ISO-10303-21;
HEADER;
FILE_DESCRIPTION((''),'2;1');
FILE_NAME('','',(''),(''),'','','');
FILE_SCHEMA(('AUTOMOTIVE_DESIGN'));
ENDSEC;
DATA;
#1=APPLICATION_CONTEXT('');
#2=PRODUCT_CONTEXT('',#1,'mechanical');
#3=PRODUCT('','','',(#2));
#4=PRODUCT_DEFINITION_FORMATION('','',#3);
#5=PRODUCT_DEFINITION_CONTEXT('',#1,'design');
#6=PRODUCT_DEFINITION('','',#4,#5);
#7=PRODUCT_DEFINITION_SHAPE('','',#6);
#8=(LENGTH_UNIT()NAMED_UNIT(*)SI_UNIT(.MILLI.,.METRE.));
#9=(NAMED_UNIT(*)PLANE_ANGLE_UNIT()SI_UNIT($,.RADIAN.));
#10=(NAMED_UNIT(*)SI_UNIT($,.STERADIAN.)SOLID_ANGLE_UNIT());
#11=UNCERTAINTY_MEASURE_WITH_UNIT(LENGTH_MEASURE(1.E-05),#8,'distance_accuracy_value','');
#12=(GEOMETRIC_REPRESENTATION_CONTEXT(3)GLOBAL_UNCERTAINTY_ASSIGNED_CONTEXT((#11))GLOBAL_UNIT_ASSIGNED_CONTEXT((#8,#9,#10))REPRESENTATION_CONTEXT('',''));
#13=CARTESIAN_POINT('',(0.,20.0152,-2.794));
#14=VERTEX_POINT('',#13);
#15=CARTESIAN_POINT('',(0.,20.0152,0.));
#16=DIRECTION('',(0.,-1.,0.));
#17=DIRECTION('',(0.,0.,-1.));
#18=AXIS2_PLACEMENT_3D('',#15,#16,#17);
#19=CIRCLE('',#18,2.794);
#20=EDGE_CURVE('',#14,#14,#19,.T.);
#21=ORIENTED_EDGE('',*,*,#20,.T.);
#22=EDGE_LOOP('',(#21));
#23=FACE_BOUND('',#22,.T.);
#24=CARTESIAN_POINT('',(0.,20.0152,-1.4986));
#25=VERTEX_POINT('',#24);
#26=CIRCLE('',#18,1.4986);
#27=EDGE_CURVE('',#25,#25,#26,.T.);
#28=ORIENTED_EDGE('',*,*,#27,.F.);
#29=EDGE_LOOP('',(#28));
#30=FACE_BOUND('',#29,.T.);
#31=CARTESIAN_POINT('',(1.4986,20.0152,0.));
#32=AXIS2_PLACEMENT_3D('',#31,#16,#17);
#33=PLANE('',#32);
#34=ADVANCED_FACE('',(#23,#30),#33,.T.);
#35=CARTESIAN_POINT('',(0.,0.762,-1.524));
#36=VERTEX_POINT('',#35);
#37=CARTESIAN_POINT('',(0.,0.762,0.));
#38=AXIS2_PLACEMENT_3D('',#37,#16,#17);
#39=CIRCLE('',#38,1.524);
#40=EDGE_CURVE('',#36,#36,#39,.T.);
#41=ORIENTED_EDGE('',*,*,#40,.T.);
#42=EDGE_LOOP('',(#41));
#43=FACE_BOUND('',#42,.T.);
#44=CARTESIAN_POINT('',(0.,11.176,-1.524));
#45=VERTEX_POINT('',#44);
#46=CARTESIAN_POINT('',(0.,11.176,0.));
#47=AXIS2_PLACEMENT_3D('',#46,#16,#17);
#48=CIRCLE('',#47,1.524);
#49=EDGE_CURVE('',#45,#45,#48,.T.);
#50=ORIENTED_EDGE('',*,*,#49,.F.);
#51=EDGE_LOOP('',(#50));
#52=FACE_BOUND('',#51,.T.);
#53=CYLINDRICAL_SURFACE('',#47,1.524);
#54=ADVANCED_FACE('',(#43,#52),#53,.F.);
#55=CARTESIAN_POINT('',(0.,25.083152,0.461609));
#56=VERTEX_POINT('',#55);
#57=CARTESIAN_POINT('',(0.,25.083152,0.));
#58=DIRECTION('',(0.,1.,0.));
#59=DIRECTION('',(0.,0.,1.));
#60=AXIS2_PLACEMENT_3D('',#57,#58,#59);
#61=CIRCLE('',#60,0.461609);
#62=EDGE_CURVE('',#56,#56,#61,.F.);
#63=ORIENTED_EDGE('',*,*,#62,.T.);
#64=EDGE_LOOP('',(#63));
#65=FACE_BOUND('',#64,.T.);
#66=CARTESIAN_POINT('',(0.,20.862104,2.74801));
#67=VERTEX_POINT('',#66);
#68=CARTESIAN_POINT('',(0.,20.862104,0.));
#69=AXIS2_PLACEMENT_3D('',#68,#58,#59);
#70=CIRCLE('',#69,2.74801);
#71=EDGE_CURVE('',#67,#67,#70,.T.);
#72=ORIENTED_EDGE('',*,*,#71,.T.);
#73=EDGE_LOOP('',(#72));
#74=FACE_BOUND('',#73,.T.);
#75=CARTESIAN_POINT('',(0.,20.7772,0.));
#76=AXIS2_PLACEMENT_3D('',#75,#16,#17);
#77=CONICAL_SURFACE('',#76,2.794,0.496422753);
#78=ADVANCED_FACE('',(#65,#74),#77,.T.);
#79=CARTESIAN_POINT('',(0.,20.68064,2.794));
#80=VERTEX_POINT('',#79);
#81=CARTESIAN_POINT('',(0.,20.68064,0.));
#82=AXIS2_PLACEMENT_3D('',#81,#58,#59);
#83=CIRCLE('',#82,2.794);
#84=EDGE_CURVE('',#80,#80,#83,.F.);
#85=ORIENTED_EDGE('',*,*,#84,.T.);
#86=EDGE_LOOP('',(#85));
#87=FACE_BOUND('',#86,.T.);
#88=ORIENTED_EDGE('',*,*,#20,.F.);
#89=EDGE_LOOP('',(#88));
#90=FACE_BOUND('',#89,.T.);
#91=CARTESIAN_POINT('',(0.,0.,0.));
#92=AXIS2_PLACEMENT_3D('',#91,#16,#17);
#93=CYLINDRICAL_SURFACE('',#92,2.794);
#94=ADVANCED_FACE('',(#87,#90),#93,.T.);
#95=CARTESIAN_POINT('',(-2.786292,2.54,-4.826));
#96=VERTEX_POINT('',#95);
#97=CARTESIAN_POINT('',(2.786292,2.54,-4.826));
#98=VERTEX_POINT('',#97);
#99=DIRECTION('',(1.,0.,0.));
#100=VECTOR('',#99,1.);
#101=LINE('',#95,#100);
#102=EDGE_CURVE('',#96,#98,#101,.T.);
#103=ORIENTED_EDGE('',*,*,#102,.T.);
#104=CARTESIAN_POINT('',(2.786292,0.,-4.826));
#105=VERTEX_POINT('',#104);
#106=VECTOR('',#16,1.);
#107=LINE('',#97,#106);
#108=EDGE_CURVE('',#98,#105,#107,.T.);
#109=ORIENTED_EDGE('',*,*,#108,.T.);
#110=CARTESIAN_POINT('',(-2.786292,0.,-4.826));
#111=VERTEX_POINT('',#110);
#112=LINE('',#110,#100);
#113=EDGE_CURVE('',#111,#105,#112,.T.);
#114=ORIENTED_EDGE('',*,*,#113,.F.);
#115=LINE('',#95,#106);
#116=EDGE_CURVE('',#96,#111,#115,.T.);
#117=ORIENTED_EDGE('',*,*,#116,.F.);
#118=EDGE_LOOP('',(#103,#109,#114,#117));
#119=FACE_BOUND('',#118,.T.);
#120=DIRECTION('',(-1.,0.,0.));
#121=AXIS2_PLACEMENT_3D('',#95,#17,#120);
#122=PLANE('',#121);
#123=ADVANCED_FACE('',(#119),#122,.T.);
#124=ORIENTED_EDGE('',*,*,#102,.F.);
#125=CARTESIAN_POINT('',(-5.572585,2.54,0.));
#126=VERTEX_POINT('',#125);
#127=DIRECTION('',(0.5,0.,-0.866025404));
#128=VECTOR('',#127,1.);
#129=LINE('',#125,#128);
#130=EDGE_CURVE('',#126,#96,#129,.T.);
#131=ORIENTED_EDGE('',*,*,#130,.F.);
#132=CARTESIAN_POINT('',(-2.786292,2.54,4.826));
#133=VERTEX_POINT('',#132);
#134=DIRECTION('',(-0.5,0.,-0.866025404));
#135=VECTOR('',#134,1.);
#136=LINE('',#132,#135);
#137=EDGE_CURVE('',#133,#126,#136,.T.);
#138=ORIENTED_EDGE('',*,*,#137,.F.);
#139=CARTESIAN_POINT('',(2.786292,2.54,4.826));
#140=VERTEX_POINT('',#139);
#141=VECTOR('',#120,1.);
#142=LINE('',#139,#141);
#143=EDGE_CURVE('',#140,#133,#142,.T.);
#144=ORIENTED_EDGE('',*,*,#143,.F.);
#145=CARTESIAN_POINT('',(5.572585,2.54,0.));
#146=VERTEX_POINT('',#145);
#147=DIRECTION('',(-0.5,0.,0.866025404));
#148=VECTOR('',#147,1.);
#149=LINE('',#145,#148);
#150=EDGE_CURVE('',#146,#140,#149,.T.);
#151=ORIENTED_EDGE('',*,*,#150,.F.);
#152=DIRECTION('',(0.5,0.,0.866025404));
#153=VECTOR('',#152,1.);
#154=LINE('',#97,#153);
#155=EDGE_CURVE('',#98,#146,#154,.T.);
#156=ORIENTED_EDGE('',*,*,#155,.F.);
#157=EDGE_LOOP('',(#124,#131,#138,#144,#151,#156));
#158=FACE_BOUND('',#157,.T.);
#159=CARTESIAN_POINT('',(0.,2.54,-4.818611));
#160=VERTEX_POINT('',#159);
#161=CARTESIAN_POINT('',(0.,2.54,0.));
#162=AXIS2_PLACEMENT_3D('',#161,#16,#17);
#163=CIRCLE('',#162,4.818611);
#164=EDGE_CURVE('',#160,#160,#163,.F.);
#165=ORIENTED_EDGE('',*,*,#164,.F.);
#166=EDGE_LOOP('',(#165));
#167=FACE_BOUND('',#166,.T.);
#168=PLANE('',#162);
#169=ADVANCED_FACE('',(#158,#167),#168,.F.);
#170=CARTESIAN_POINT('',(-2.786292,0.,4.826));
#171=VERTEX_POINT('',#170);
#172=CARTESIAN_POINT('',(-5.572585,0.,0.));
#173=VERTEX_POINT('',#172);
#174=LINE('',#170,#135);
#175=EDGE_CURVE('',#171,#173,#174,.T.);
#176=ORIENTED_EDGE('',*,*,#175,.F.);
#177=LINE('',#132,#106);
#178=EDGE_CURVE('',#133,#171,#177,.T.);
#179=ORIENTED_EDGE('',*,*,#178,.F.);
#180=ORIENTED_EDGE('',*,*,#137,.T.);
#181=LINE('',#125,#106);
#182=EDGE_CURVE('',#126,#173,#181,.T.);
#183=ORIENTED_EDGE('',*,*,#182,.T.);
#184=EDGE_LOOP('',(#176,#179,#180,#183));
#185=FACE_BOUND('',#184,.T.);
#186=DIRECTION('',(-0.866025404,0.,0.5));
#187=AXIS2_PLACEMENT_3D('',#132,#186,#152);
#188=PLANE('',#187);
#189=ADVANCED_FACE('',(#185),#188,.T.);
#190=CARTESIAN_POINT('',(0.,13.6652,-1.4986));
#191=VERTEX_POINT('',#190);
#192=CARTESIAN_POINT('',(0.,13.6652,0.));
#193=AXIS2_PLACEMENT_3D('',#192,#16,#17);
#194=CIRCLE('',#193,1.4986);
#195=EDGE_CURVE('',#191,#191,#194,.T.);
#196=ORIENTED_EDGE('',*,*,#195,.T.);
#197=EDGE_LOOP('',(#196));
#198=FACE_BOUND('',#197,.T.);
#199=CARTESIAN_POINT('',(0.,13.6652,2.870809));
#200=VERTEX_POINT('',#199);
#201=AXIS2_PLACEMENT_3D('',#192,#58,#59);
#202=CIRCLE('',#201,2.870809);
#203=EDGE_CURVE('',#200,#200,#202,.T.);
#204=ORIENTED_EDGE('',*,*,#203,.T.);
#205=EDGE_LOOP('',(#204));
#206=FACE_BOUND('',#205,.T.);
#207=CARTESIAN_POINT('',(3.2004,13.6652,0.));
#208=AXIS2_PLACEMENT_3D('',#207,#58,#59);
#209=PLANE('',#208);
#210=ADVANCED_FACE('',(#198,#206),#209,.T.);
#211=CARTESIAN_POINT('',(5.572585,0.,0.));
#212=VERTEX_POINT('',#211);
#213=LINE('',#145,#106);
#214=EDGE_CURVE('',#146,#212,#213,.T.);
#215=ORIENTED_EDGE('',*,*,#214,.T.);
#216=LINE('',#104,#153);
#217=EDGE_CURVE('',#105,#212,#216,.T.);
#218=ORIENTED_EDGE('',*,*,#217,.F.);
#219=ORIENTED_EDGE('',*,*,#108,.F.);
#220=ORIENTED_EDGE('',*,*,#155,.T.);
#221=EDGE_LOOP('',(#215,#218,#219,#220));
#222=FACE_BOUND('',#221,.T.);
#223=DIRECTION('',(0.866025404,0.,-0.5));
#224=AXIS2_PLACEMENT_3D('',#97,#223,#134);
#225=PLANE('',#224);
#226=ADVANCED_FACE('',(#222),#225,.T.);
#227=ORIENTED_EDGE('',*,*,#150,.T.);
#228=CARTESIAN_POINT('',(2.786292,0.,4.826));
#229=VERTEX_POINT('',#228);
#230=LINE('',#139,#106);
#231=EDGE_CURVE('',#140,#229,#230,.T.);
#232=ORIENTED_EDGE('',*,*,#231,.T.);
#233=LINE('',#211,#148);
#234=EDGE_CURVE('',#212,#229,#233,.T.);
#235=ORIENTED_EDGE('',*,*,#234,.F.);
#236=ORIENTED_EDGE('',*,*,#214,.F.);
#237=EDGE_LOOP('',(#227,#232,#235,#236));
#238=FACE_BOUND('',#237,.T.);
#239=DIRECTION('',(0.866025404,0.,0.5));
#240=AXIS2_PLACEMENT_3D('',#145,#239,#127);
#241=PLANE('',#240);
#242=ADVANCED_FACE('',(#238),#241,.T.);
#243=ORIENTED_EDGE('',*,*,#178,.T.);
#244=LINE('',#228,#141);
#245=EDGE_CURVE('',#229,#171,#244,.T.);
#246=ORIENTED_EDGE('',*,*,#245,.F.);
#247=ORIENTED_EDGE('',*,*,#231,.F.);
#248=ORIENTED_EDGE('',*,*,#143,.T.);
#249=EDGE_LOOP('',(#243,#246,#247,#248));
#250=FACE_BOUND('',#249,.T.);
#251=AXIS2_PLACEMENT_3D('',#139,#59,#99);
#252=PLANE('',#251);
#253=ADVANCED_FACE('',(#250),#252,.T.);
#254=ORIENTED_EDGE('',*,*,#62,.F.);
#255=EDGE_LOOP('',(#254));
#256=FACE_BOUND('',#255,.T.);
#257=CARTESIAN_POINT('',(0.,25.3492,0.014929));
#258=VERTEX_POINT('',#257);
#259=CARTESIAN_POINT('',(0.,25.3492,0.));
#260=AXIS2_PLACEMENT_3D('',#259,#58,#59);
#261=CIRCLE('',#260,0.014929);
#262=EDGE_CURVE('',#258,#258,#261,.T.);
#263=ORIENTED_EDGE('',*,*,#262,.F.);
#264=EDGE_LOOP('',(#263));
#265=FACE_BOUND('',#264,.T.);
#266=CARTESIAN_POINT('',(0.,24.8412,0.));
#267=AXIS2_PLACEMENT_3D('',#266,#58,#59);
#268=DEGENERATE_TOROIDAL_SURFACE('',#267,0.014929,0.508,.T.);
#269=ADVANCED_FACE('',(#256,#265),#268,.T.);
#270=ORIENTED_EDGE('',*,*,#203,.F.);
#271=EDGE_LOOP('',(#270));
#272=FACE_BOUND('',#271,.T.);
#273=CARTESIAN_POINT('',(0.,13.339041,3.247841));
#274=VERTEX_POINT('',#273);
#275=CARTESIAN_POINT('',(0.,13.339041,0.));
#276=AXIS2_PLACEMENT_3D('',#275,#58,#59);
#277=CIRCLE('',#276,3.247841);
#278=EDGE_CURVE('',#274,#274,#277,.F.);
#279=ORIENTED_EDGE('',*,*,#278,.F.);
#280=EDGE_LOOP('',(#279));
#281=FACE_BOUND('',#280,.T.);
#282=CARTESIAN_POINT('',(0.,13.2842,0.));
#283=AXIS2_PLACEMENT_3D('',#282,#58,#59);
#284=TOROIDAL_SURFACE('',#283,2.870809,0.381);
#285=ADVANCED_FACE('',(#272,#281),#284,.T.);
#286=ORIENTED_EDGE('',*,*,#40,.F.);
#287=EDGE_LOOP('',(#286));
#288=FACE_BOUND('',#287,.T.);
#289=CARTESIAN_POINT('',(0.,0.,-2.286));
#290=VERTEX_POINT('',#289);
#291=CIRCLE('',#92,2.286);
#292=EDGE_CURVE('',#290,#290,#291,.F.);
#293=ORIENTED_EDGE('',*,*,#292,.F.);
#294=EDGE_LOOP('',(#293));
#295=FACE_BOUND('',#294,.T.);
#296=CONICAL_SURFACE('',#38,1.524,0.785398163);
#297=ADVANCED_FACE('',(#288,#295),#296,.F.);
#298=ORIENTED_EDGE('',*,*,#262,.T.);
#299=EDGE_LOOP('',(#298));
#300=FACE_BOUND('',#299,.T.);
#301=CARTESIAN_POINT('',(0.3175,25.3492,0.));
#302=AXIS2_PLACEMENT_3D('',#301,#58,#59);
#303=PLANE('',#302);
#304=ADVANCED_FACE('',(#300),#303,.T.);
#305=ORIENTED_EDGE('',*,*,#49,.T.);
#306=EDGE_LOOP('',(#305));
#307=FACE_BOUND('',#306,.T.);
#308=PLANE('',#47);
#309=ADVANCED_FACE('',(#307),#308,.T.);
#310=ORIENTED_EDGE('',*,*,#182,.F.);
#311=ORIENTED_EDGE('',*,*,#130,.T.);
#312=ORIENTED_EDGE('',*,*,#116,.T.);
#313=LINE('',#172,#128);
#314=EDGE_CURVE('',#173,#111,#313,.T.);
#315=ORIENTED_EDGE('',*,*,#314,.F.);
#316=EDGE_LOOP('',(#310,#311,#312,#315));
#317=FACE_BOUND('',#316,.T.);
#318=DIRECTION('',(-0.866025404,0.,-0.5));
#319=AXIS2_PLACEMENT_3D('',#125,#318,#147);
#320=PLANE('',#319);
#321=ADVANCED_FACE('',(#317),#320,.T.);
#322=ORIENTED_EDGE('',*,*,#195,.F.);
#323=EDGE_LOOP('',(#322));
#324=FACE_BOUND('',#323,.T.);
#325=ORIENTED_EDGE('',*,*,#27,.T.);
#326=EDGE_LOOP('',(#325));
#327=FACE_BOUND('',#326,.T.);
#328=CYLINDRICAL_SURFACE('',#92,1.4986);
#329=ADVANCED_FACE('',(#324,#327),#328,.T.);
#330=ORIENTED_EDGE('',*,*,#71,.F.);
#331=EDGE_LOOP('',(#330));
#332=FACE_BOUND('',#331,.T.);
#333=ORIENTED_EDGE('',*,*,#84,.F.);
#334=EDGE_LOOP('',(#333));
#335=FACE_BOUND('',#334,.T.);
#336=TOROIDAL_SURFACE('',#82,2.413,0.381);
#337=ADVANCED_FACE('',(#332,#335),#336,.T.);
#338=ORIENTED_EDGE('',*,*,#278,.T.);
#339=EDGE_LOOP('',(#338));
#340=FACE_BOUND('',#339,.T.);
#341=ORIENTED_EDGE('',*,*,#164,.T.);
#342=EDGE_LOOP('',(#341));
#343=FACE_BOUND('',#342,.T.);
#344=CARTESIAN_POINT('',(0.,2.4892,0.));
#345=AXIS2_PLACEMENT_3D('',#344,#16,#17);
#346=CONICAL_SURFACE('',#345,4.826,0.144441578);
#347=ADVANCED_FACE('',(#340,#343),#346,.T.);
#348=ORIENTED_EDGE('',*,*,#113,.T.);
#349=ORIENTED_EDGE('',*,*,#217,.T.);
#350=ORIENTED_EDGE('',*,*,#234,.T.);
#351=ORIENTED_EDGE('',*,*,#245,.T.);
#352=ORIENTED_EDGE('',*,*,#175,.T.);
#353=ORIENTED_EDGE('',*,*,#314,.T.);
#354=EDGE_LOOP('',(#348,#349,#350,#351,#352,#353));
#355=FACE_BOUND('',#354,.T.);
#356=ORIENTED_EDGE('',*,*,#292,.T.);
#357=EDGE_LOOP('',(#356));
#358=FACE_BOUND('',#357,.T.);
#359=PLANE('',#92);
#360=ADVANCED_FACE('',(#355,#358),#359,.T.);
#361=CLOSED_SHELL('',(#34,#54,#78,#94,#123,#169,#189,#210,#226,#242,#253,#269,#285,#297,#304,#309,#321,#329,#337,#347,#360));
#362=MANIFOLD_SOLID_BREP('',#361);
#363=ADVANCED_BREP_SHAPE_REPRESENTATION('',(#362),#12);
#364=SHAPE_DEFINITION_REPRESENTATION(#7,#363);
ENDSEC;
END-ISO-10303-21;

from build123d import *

# Parameters (mm, degrees)
BOSS_EXTRUDE1_DEPTH = 2.54
FILLET1_R           = 0.381
FILLET2_R           = 0.508
SKETCH4_R           = 1.524
CUT_EXTRUDE1_DEPTH  = 11.176
CHAMFER1_SIZE       = 0.762


with BuildPart() as part:
    # Sketch1 → Revolve1 (revolve)
    with BuildSketch(Plane.XY, mode=Mode.PRIVATE) as revolve1_sk:
        Polygon((4.826, 2.4892), (4.826, 0), (0, 0), (0, 25.3492), (0.3175, 25.3492), (2.794, 20.7772), (2.794, 20.0152), (1.4986, 20.0152), (1.4986, 13.6652), (3.2004, 13.6652), align=None)
    revolve(revolve1_sk.sketch.rotate(Axis((0, 0, 0), (0, 1, 0)), 90), axis=Axis((0, 0, 0), (0, 1, 0)))  # turned: the seam where the file's is

    # Sketch2 → Boss-Extrude1 (add)
    with BuildSketch(Plane.XZ):
        Polygon((5.572584798, 0), (2.786292399, 4.826), (-2.786292399, 4.826), (-5.572584798, 0), (-2.786292399, -4.826), (2.786292399, -4.826), align=None)
    extrude(amount=-BOSS_EXTRUDE1_DEPTH)

    # Fillet1
    fillet1_edges = [part.edges().sort_by_distance(p)[0] for p in [
        (0, 13.6652, 3.2004),
        (0, 20.7772, 2.794),
    ]]
    fillet(fillet1_edges, radius=FILLET1_R)

    # Fillet2
    fillet2_edges = [part.edges().sort_by_distance(p)[0] for p in [
        (0, 25.3492, 0.3175),
    ]]
    fillet(fillet2_edges, radius=FILLET2_R)

    # Sketch4 → Cut-Extrude1 (cut)
    with BuildSketch(Plane.XZ):
        with Locations(Location((0, 0, 0), (0, 0, 270))):  # turned: the seam where the file's is
            Circle(SKETCH4_R)
    extrude(amount=-CUT_EXTRUDE1_DEPTH, mode=Mode.SUBTRACT)

    # Chamfer1
    chamfer1_edges = [part.edges().sort_by_distance(p)[0] for p in [
        (0, 0, 1.524),
    ]]
    chamfer(chamfer1_edges, length=CHAMFER1_SIZE)


solid = part.part
